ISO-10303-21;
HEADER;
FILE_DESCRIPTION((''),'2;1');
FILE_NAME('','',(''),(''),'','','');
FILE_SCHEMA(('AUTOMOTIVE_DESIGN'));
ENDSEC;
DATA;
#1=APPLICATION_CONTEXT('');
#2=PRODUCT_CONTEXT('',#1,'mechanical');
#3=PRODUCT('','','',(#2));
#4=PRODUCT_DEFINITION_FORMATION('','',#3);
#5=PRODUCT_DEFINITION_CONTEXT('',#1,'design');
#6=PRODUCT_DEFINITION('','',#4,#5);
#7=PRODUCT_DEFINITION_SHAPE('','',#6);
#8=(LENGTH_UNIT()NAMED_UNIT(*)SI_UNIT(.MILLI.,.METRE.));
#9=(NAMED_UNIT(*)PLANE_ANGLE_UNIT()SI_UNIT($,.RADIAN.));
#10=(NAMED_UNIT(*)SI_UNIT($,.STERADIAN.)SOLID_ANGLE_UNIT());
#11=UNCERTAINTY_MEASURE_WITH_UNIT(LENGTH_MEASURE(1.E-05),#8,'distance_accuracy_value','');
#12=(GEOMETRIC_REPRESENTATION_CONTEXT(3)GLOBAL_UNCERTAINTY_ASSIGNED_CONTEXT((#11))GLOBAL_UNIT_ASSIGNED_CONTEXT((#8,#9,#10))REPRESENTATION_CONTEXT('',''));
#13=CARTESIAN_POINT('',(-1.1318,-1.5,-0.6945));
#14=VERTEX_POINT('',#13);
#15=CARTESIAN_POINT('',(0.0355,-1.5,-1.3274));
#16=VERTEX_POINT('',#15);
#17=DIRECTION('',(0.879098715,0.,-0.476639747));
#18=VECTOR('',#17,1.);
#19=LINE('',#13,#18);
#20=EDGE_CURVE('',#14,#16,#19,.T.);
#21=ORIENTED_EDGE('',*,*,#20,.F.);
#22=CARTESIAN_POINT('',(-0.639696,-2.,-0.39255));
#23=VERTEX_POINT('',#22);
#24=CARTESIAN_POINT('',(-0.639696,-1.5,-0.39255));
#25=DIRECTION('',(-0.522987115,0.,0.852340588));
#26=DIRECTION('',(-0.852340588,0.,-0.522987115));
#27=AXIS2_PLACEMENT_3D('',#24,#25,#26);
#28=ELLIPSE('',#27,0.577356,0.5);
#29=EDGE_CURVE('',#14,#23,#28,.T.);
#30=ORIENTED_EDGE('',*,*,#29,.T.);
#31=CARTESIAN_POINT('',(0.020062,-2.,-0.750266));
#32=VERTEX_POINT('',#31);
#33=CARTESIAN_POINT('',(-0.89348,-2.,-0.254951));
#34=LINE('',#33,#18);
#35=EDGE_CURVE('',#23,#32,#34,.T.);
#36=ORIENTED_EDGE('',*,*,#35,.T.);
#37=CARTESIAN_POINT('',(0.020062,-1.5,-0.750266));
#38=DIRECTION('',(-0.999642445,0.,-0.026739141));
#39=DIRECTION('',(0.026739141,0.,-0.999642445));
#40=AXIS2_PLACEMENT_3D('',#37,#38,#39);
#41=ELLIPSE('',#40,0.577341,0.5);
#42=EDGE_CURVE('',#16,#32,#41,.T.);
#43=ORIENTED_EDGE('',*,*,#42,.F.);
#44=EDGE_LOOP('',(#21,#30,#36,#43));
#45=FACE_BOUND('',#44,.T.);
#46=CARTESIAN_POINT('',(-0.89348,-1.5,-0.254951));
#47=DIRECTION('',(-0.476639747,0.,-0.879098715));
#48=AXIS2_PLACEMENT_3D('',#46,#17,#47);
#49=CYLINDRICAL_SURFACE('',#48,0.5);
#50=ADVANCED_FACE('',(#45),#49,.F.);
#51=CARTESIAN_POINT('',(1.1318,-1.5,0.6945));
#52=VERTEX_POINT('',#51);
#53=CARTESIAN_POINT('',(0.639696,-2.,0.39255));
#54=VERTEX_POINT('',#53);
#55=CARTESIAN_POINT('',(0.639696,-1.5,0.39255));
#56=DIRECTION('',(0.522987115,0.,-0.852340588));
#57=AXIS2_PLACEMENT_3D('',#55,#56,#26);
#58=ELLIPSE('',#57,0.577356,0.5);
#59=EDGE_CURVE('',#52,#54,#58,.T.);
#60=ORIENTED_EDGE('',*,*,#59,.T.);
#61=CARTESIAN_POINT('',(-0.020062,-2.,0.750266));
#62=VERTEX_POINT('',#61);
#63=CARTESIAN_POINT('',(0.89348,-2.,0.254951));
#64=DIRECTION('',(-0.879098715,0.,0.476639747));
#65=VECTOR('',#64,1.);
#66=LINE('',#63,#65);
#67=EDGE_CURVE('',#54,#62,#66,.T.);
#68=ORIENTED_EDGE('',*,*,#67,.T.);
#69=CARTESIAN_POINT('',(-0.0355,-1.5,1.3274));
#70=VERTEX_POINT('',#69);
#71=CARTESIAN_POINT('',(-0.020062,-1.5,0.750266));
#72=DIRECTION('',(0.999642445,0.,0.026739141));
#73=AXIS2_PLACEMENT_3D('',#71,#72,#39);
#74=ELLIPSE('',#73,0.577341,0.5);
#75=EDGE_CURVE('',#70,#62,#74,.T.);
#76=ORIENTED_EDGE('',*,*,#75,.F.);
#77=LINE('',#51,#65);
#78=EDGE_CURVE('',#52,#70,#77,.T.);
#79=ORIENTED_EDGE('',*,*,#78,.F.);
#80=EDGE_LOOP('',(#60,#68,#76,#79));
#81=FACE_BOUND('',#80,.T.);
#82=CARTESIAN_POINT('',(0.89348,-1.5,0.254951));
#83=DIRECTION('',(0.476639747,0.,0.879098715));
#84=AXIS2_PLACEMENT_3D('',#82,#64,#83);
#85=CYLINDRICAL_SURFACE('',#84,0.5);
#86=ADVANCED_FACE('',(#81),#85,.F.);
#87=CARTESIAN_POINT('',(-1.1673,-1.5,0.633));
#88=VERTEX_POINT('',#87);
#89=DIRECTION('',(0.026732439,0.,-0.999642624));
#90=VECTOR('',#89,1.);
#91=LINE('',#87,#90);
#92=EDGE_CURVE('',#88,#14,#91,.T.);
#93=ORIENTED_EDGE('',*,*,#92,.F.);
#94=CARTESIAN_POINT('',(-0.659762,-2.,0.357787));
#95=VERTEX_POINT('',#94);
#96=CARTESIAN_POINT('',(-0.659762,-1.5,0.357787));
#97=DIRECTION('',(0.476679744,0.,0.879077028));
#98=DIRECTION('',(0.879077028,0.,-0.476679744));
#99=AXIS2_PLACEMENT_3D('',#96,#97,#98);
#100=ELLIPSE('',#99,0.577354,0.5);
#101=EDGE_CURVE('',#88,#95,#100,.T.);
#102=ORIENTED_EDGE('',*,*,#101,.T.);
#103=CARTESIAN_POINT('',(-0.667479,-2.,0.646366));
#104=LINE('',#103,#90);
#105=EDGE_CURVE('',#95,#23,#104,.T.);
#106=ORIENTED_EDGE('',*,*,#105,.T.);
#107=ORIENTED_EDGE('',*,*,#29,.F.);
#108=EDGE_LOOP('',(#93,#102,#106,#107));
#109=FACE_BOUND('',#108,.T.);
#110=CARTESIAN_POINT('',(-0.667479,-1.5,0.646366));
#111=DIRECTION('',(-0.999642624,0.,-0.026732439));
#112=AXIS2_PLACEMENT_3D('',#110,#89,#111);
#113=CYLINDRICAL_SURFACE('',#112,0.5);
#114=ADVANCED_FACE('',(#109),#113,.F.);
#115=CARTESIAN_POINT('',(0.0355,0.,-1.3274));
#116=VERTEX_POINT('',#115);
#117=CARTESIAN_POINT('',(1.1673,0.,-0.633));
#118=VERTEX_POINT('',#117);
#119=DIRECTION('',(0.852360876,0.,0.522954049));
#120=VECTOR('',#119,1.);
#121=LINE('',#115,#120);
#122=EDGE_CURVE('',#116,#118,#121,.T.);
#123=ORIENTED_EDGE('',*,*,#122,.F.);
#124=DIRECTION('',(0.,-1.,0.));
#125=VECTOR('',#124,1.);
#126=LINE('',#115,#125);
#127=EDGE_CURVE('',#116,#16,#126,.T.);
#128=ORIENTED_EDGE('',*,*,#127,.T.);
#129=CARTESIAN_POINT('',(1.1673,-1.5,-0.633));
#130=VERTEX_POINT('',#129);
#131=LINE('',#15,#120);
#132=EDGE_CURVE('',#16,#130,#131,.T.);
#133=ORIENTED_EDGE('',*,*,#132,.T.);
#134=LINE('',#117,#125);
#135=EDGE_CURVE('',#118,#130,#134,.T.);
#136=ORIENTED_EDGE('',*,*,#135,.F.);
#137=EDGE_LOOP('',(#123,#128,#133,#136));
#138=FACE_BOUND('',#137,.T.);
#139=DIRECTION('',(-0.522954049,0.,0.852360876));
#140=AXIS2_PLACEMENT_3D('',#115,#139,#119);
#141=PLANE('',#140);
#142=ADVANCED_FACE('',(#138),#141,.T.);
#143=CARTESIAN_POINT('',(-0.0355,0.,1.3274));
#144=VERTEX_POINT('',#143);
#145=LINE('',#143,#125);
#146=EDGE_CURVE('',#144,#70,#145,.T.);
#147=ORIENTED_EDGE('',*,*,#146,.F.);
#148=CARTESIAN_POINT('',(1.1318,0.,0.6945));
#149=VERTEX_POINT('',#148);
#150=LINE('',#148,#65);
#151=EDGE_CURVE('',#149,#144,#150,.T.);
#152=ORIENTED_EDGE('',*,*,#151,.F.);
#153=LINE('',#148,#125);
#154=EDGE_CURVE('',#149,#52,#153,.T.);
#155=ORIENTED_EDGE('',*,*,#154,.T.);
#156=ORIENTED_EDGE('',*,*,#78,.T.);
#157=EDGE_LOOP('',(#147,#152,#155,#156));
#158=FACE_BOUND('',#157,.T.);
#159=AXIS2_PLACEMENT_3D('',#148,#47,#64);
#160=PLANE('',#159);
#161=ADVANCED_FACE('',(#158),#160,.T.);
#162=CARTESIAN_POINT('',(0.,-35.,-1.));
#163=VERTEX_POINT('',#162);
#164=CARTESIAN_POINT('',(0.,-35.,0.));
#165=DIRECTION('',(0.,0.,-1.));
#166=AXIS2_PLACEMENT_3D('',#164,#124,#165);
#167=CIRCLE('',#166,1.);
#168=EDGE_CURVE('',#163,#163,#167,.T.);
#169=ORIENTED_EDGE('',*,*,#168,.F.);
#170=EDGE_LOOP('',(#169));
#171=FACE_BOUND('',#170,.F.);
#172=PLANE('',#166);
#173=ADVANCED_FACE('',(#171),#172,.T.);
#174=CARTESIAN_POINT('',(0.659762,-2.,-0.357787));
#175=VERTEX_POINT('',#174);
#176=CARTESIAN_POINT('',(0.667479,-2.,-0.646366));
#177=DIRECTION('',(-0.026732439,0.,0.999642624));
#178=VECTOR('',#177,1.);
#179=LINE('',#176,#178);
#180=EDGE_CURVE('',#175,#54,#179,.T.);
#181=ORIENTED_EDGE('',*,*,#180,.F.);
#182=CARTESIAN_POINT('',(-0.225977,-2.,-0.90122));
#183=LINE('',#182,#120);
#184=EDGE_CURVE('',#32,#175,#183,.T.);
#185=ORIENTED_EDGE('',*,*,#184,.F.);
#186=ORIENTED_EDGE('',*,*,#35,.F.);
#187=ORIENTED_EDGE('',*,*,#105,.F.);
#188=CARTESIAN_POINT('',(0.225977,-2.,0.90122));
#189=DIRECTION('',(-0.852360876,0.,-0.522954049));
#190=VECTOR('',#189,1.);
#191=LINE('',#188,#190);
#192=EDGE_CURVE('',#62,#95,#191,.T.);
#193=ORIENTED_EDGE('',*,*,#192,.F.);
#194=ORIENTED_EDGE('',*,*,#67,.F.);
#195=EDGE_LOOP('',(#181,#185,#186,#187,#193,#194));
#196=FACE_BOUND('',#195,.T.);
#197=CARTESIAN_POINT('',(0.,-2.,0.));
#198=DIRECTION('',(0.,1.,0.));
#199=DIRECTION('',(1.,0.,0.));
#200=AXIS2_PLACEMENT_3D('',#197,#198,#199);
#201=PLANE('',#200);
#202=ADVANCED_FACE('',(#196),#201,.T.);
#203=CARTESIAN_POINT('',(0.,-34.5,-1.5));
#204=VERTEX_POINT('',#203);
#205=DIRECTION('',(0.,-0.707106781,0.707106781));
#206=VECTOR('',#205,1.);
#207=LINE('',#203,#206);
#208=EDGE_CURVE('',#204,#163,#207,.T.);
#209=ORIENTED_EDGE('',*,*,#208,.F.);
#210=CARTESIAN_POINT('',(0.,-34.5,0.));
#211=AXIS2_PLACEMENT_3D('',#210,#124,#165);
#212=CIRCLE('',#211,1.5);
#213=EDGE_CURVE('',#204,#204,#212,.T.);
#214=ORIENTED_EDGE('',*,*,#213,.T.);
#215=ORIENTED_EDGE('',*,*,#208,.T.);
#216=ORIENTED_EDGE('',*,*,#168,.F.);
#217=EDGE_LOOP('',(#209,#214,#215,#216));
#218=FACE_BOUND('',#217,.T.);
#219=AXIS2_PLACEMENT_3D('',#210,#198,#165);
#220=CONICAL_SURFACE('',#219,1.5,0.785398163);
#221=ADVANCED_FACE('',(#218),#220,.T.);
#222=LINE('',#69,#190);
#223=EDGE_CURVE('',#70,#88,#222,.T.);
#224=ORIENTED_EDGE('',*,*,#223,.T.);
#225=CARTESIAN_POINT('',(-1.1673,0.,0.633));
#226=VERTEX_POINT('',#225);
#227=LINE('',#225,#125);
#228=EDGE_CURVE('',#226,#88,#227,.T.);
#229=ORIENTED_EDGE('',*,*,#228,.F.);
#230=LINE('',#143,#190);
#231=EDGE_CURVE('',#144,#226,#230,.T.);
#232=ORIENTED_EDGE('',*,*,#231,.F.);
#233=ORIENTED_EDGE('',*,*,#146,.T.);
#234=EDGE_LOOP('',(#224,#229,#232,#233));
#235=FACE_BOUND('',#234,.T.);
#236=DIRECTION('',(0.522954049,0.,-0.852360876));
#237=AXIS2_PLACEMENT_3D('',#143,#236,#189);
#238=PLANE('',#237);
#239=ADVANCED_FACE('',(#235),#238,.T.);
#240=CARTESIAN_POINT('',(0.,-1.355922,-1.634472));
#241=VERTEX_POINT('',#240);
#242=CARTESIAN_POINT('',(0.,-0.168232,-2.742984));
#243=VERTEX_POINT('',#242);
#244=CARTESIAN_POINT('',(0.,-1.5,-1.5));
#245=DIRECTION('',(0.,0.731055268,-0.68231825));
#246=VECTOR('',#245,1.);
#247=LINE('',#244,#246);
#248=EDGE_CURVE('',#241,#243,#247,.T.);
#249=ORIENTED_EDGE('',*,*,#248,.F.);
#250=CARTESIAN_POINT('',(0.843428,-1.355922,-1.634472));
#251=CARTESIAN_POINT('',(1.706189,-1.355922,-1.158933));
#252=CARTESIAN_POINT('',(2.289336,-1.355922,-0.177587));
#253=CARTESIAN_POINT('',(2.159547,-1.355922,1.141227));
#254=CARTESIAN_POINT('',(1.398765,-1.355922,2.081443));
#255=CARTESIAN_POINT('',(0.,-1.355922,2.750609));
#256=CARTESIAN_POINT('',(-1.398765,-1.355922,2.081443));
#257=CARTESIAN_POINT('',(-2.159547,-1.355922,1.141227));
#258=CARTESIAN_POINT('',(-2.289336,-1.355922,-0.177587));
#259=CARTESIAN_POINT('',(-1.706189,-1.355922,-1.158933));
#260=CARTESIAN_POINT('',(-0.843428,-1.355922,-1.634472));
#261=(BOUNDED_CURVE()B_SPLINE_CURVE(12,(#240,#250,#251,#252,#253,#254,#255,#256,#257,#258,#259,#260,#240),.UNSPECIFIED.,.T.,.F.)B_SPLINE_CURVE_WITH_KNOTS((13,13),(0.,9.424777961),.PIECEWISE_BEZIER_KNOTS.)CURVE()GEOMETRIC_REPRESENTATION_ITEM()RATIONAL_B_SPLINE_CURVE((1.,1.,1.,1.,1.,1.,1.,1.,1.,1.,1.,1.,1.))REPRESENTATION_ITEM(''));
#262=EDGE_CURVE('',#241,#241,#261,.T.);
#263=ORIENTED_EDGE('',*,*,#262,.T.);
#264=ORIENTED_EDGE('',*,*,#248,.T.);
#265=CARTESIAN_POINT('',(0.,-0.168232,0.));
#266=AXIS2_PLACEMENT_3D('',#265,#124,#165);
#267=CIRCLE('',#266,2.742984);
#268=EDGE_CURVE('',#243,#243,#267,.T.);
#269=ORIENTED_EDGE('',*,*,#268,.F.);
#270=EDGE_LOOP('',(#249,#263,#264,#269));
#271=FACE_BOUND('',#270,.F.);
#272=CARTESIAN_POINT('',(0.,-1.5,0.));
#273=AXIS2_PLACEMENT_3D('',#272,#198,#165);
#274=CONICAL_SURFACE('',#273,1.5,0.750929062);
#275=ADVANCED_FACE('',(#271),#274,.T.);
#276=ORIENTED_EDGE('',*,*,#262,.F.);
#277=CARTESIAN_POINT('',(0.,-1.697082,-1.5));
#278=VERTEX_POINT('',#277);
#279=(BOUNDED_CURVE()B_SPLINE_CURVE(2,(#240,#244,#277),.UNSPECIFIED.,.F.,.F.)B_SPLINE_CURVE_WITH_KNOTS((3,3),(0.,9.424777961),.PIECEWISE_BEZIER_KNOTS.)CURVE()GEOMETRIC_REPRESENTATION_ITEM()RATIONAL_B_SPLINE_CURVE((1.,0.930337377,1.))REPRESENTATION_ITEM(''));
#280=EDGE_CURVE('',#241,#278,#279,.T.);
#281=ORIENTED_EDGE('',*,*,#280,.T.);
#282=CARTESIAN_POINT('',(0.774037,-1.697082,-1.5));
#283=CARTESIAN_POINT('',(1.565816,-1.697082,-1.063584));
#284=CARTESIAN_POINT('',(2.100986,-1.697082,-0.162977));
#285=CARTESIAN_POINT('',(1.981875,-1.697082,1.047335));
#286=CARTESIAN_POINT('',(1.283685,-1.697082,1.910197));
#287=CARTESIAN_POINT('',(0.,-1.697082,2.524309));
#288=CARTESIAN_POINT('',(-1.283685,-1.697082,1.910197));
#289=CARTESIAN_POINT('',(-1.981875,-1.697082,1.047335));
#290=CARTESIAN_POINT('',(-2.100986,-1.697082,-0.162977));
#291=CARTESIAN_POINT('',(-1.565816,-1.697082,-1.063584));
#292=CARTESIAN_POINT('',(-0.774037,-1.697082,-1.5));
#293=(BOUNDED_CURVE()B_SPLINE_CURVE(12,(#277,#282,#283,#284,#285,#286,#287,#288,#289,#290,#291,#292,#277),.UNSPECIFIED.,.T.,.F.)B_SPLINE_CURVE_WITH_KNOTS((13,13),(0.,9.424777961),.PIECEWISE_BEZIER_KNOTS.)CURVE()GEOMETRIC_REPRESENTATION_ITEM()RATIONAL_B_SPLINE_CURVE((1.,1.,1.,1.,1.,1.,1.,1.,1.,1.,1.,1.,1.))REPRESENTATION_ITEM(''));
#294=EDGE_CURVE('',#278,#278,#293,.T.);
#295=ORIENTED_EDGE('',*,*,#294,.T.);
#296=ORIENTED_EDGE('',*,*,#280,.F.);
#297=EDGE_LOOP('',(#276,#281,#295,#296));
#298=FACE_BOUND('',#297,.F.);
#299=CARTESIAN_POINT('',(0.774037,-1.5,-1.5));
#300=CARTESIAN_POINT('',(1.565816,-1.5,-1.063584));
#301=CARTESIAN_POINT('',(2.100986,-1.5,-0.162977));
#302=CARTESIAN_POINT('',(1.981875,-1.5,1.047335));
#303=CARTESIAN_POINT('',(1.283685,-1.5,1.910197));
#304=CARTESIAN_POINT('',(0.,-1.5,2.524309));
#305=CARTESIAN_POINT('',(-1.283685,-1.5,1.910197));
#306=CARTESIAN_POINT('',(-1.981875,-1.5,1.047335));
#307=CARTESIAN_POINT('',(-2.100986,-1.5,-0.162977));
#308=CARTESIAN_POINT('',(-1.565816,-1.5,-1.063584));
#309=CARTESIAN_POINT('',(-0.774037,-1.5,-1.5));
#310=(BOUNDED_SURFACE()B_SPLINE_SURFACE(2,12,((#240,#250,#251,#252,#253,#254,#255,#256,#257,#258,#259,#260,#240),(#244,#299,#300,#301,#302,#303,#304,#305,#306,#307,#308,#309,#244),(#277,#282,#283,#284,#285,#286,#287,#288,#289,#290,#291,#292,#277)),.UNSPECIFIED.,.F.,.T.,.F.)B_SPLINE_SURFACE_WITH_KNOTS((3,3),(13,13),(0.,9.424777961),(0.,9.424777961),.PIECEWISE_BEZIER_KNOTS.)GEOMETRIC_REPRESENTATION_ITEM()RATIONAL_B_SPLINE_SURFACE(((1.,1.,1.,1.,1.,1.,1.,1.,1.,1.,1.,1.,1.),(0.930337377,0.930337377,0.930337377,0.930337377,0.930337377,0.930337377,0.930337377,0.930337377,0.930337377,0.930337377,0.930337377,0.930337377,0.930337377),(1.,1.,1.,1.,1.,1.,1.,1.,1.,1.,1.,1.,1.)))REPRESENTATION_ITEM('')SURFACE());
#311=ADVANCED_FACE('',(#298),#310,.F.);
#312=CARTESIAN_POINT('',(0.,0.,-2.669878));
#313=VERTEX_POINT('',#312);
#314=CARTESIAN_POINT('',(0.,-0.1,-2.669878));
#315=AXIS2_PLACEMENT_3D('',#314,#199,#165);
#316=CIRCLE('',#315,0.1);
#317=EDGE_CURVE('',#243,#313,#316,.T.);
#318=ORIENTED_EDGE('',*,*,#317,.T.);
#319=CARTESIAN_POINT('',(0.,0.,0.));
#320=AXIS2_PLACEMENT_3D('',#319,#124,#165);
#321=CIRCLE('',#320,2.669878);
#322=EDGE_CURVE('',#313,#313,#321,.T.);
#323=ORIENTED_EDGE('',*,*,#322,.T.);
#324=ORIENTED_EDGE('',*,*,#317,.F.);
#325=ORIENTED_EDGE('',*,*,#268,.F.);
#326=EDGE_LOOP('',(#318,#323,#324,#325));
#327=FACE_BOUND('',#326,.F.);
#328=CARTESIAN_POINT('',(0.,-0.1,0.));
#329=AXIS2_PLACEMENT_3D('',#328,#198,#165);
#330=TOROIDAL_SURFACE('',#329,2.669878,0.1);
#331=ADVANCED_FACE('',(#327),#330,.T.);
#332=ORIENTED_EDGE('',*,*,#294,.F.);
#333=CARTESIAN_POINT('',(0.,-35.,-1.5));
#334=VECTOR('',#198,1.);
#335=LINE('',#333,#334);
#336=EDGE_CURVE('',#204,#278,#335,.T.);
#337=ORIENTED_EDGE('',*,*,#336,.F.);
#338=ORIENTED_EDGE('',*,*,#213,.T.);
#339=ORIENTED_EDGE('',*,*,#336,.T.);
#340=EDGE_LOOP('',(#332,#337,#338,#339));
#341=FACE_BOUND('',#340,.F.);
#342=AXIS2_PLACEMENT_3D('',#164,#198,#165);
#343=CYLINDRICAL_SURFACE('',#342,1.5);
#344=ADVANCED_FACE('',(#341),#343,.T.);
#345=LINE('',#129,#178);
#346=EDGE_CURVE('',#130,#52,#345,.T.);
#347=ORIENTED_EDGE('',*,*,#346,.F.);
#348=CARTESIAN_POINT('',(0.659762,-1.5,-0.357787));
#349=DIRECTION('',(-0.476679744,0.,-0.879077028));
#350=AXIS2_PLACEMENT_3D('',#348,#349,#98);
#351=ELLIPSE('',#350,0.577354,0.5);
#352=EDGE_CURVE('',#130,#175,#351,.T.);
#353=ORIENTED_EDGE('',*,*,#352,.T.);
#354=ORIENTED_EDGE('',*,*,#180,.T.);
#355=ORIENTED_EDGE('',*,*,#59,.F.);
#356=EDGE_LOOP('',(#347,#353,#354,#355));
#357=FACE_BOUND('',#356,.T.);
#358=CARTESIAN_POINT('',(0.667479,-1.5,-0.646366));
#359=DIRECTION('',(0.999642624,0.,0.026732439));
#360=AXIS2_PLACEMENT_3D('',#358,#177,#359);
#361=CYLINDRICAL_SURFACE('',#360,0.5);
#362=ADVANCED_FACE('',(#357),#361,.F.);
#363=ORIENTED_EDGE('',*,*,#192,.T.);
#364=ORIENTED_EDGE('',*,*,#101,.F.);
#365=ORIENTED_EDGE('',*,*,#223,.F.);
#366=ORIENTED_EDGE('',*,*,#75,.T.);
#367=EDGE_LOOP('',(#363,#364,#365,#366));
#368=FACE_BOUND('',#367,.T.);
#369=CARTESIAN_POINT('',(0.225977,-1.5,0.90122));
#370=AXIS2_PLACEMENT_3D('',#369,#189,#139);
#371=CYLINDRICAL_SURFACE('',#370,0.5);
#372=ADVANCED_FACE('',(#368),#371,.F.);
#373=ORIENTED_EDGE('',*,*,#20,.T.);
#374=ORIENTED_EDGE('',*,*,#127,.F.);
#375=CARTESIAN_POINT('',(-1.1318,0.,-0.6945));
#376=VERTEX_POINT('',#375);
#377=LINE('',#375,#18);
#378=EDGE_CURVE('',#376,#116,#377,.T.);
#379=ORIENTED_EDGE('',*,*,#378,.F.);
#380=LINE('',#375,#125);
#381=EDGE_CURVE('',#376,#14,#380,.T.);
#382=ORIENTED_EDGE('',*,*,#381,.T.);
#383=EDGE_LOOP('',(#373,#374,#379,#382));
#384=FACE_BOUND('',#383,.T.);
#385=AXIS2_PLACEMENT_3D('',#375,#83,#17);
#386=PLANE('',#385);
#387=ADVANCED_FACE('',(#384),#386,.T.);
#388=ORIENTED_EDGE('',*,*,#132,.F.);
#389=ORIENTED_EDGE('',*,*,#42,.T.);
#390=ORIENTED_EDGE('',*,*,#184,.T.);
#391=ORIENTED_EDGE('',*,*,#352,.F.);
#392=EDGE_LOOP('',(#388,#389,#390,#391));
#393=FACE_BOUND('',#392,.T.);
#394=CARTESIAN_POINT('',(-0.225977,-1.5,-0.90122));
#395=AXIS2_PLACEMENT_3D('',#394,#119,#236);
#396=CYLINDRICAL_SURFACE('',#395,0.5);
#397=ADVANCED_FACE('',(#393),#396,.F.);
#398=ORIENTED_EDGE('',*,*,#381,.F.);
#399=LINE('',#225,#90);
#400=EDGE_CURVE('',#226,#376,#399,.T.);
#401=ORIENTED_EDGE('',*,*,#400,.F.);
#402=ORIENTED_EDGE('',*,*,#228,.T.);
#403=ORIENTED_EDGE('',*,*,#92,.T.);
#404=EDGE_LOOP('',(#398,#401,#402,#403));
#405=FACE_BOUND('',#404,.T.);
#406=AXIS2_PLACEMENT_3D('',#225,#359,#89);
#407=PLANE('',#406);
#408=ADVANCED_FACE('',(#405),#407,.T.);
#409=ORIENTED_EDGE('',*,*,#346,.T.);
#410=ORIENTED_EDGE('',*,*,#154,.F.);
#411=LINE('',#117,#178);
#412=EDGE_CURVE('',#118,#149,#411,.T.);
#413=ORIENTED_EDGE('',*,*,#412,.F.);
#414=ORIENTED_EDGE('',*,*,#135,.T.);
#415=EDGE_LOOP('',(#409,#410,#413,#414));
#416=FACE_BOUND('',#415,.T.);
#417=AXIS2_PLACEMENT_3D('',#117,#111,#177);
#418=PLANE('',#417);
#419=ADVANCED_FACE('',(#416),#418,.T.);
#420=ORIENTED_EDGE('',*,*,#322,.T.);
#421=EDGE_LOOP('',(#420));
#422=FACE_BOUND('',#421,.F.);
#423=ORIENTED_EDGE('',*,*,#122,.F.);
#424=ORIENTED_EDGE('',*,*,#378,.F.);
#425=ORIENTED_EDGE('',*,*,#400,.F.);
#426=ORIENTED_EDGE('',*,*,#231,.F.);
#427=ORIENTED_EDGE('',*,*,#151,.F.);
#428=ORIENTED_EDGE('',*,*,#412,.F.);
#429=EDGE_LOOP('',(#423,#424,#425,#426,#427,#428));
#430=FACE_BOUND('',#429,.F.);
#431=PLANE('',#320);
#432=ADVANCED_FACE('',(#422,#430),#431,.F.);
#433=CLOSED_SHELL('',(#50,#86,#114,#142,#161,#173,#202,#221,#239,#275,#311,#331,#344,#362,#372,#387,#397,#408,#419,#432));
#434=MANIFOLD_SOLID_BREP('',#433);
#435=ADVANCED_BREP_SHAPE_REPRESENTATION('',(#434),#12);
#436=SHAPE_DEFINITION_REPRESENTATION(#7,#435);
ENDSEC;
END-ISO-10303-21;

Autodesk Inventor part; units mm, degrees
ref_plane "YZ Plane" through (0, 0, 0) normal (1, 0, 0) x (0, 1, 0)
ref_plane "XZ Plane" through (0, 0, 0) normal (0, 1, 0) x (-1, 0, 0)
ref_plane "XY Plane" through (0, 0, 0) normal (0, 0, 1) x (1, 0, 0)
sketch "Szkic2" plane through (0, 0, 0) normal (1, 0, 0) x (0, 1, 0)
  line L0 (0, -2.9) -> (0, 2.9)
  line L1 (-1.5, -1.5) -> (-1.5, 1.5)
  line L2 (-1.5, -1.5) -> (0, -2.9)
  line L3 (-1.5, 1.5) -> (0, 2.9)
  line L4 (0, 0) -> (-35, 0)
  line L5 (-35, 0) -> (-35, -1.5)
  line L6 (-35, -1.5) -> (-1.5, -1.5)
  dimension "d0" = 5.8
  dimension "d2" = 3
  dimension "d3" = 1.5
  dimension "d4" = 35
  dimension "d5" = 1.5
revolve "Obrót1" add sketch "Szkic2" angle 360 about axis through (0, 0, 0) along (0, -1, 0) contours L2 L1 L4 L0 | L6 L5 L4 L1
sketch "Szkic3" plane through (0, 0, 0) normal (0, 1, 0) x (1, 0, 0)
  line L0 (-1.1673, -0.633) -> (-1.1318, 0.6945)
  line L1 (-1.1318, 0.6945) -> (0.0355, 1.3274)
  line L2 (0.0355, 1.3274) -> (1.1673, 0.633)
  line L3 (1.1673, 0.633) -> (1.1318, -0.6945)
  line L4 (1.1318, -0.6945) -> (-0.0355, -1.3274)
  line L5 (-0.0355, -1.3274) -> (-1.1673, -0.633)
  point P0 (0, 0)
  point P1 (0, 0)
  dimension "d7" = 2.3
extrude "Wyciągnięcie proste1" cut sketch "Szkic3" against normal blind 2
fillet "Zaokrąglenie1" radius 0.5 6 edges at (-1.1496, -2, -0.0308) (-0.6014, -2, 0.9802) (-0.5482, -2, -1.011) (0.6014, -2, -0.9802) (0.5482, -2, 1.011) (1.1496, -2, 0.0308)
fillet "Zaokrąglenie2" radius 0.5 1 edges at (0, -1.5, 1.5)
fillet "Zaokrąglenie3" radius 0.1 1 edges at (0, 0, 2.9)
thread "Gwint1" size "M3x0.5" class "6g" standard "ANSI Metric M Profile" full length
chamfer "Faza1" distance 0.5 angle 45 1 edges at (0, -35, 1.5)
properties part number "Screw M3 35mm flat head"
